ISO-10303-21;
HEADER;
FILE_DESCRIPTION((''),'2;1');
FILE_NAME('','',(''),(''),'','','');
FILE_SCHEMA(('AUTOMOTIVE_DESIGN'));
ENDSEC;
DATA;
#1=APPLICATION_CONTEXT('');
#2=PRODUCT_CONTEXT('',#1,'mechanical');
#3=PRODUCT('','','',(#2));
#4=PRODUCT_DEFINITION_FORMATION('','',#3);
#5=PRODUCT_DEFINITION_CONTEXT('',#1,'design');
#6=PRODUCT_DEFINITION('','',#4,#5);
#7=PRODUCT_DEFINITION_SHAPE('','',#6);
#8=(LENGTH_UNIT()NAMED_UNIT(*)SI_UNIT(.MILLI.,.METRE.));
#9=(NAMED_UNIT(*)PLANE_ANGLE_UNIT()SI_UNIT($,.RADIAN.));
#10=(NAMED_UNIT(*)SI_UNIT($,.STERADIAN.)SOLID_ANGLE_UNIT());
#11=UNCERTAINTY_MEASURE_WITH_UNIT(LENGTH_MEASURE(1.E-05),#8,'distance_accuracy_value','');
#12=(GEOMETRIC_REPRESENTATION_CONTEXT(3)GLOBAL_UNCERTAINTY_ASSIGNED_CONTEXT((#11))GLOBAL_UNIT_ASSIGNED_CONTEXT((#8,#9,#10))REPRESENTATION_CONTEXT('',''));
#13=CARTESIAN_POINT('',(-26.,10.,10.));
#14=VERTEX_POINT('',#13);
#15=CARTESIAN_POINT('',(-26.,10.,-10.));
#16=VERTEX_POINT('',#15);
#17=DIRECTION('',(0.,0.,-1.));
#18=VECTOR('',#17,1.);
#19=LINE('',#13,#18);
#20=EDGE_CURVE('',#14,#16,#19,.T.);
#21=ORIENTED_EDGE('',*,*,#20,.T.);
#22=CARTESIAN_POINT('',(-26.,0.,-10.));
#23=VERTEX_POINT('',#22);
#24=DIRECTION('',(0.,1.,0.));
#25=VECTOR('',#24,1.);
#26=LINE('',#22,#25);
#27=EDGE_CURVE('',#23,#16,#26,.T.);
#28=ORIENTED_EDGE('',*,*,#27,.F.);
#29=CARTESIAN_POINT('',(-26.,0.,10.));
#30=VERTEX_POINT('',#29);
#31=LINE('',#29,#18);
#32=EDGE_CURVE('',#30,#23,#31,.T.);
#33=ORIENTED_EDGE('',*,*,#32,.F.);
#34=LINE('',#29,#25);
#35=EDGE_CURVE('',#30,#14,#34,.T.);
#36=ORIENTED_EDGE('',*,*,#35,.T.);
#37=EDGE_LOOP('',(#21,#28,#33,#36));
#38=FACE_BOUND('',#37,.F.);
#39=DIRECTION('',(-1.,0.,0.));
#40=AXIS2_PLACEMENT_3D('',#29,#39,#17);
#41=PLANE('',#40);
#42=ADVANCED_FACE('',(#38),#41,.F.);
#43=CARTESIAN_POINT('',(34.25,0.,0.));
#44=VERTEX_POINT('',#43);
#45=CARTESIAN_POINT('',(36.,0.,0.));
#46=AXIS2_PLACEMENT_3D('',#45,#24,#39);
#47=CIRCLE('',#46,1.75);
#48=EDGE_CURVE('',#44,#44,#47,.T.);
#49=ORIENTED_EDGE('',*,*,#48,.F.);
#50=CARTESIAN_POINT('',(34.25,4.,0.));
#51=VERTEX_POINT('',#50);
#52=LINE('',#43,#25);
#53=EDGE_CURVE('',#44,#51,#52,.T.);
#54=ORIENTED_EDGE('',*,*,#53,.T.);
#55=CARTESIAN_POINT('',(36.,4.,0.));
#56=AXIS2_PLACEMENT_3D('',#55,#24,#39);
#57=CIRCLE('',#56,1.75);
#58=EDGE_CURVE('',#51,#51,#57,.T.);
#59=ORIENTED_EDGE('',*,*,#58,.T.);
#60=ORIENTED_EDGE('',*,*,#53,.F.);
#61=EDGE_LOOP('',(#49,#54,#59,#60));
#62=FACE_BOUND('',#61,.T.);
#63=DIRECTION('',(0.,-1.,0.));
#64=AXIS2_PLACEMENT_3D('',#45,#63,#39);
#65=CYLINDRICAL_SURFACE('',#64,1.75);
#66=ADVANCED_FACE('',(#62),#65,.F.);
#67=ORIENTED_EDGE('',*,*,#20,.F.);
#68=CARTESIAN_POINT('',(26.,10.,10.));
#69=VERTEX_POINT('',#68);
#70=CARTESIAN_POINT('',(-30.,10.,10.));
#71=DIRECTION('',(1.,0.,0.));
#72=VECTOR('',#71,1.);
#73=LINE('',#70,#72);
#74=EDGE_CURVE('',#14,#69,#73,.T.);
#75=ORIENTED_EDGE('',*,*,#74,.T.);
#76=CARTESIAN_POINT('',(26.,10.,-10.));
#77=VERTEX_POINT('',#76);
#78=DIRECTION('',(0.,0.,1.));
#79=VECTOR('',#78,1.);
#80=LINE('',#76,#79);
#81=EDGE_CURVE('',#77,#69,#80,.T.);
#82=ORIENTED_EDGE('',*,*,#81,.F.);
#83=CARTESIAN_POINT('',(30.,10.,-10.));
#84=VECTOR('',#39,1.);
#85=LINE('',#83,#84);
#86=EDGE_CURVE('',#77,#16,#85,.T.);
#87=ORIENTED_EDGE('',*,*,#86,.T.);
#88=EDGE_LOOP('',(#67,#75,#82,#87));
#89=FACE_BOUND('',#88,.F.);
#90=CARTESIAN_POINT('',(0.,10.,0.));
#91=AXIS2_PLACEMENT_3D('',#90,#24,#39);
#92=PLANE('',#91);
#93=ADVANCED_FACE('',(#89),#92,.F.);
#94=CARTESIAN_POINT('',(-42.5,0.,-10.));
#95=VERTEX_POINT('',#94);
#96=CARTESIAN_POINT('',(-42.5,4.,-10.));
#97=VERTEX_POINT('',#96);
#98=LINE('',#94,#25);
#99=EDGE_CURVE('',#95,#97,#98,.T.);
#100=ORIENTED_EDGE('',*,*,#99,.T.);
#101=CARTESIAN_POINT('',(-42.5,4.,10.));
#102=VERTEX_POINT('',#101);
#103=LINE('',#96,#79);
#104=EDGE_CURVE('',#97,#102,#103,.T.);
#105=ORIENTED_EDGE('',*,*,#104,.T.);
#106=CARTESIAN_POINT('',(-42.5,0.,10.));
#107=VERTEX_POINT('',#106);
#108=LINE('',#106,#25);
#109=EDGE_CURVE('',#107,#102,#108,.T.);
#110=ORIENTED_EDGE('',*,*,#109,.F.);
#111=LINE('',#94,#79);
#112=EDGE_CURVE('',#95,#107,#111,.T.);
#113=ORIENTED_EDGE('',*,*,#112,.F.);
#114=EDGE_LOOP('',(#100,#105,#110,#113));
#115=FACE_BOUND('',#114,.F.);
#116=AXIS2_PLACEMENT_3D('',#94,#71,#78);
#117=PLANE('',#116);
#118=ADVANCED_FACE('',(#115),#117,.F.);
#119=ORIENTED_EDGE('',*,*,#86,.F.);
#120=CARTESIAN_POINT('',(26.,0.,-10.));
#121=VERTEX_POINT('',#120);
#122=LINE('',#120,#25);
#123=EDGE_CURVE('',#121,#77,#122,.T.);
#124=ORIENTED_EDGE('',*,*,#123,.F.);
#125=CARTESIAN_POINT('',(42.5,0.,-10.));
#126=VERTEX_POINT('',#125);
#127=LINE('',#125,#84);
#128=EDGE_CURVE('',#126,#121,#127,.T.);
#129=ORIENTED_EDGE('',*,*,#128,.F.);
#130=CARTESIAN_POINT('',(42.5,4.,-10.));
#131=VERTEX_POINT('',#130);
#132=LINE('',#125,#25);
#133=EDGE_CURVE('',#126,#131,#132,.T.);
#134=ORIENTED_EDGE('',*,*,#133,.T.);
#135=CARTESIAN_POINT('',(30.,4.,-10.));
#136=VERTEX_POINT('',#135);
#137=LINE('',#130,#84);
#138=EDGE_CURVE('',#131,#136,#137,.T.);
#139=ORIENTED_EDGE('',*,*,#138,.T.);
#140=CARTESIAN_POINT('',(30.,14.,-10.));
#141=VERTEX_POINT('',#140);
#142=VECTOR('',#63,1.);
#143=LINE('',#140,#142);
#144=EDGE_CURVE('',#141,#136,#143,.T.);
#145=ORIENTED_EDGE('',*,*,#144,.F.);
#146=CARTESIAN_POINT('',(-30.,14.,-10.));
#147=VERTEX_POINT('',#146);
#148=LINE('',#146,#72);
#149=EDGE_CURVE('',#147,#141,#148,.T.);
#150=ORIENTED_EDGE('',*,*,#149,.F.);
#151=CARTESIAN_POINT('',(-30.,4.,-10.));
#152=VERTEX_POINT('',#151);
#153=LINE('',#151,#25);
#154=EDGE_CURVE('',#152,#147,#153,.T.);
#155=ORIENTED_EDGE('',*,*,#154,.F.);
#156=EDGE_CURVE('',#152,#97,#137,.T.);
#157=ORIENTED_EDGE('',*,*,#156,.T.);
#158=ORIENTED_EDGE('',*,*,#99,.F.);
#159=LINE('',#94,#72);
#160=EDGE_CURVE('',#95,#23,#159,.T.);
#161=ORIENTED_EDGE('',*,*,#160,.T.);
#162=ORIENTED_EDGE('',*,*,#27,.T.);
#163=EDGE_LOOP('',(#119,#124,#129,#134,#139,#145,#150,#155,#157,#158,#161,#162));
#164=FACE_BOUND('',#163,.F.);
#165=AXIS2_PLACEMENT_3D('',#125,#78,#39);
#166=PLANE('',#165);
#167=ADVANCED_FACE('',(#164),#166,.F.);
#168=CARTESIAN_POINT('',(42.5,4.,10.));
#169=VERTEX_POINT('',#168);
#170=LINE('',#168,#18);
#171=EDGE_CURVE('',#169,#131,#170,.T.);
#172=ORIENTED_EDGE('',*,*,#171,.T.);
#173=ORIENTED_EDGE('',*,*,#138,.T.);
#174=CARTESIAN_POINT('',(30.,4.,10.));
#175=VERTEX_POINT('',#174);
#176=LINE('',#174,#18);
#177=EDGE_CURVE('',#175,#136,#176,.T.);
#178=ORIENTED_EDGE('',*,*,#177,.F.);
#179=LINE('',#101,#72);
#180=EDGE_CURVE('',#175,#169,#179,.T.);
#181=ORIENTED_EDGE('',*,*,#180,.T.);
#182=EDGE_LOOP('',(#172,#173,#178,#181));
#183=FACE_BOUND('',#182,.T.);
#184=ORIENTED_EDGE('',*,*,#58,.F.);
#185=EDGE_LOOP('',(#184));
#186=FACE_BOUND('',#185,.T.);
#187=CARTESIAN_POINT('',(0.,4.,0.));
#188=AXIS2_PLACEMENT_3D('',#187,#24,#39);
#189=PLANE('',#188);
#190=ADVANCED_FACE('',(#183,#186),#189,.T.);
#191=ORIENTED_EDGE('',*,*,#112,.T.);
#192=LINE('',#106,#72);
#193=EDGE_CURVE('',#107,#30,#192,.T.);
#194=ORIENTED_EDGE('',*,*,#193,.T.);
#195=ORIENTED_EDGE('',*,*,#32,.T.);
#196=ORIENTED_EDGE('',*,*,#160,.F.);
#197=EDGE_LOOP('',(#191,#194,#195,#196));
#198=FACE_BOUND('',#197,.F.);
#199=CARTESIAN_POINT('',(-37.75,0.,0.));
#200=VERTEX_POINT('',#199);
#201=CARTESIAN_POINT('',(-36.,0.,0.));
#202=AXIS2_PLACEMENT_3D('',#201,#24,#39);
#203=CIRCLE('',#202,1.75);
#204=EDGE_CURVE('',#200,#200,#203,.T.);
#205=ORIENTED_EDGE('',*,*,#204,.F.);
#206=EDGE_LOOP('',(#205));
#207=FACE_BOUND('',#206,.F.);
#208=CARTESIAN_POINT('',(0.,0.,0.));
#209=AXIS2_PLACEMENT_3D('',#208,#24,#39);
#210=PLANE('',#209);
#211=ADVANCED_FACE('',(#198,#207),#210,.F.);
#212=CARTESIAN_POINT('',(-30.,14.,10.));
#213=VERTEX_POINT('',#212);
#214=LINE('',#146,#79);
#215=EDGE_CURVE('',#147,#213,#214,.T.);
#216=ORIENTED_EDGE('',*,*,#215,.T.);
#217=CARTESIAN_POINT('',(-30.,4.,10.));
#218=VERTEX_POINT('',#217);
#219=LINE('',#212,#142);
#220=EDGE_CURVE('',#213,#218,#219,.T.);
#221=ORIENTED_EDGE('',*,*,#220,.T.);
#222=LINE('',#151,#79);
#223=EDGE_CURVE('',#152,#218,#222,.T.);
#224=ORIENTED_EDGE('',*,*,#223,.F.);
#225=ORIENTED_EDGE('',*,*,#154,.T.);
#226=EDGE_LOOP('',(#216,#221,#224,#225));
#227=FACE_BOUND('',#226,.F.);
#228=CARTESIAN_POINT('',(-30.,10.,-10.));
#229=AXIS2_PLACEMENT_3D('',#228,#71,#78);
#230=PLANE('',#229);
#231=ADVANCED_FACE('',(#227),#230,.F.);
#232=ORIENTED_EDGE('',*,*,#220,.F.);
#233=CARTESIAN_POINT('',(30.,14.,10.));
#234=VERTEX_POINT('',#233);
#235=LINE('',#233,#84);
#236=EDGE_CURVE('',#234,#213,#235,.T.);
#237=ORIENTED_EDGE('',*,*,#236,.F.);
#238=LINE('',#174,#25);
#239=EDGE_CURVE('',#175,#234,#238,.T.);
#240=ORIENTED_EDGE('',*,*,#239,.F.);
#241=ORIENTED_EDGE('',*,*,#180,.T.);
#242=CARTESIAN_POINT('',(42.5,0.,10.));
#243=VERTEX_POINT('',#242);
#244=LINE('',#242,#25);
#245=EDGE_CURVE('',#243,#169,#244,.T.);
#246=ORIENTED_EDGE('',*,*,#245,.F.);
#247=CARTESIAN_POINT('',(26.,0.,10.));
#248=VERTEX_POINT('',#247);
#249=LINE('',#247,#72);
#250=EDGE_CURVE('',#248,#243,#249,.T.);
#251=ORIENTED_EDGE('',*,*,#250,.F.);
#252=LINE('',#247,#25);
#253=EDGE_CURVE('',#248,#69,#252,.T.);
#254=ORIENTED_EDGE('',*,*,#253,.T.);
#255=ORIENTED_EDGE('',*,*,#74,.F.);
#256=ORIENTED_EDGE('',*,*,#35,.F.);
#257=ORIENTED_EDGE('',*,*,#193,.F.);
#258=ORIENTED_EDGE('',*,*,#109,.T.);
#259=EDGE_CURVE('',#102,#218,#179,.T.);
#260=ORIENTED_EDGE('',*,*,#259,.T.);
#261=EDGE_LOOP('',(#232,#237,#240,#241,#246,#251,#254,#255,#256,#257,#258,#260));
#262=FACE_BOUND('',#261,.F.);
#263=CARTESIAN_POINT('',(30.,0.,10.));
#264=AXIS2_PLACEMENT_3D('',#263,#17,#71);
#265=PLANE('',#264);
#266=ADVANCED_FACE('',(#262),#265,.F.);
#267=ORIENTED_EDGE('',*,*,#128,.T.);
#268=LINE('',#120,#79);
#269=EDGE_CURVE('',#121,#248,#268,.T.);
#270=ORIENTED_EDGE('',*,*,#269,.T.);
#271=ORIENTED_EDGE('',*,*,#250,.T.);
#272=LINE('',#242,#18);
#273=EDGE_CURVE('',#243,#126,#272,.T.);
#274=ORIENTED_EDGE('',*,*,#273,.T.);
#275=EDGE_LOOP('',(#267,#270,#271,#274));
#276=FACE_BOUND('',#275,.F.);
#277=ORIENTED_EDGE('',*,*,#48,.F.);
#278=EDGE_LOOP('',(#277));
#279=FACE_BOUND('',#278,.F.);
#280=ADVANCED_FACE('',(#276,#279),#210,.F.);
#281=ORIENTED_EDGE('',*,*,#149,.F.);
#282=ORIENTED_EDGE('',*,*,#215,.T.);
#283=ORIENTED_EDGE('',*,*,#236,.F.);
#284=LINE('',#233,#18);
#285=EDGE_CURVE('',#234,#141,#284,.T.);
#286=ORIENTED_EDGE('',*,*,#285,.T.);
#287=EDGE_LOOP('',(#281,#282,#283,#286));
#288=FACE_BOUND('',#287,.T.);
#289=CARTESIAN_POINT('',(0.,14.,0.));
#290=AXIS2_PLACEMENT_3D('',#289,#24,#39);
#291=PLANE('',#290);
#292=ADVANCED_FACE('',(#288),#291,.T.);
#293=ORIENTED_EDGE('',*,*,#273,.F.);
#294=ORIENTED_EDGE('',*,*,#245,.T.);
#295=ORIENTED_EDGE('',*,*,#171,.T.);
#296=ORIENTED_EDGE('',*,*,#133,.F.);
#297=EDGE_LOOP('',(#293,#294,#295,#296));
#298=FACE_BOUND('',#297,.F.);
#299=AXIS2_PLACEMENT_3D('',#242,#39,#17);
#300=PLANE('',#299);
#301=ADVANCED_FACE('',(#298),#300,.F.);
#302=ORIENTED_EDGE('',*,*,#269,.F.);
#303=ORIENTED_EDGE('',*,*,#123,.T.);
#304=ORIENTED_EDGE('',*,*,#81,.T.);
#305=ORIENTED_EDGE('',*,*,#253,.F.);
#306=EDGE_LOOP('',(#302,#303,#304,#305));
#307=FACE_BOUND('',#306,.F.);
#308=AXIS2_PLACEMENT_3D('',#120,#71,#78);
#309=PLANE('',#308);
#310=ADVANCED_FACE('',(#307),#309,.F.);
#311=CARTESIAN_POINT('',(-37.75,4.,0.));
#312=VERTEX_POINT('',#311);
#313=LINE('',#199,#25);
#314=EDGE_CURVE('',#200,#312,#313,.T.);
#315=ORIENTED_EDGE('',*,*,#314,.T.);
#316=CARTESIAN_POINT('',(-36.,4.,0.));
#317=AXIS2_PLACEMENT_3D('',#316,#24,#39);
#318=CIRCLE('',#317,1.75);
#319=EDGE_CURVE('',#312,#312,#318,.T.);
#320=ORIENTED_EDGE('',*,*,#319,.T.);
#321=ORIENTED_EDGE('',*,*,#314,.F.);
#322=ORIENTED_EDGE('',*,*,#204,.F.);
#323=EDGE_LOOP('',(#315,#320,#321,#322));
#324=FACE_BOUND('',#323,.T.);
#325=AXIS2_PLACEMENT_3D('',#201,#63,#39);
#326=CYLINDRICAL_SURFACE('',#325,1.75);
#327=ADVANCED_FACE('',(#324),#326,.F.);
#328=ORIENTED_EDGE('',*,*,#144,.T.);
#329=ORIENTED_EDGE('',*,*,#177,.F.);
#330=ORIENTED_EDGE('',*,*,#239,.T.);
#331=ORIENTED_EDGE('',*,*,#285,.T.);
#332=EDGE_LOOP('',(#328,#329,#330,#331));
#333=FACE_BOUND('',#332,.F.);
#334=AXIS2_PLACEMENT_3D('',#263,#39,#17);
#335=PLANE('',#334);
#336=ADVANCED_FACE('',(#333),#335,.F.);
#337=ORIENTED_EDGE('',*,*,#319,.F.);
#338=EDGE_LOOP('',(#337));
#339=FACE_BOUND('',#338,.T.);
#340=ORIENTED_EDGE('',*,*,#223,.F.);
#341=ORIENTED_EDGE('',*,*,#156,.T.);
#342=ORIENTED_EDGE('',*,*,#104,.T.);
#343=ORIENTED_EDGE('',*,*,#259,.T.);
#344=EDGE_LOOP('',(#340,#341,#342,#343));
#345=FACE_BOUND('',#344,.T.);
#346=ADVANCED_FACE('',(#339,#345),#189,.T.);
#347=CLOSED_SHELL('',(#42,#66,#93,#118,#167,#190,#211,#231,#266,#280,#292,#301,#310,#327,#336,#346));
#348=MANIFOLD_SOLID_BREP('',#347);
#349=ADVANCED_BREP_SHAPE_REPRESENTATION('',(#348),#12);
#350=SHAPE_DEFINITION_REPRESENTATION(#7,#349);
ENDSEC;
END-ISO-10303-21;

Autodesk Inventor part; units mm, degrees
ref_plane "YZ Plane" through (0, 0, 0) normal (1, 0, 0) x (0, 1, 0)
ref_plane "XZ Plane" through (0, 0, 0) normal (0, 1, 0) x (-1, 0, 0)
ref_plane "XY Plane" through (0, 0, 0) normal (0, 0, 1) x (1, 0, 0)
sketch "Sketch1" plane through (0, 0, 0) normal (0, 1, 0) x (-1, 0, 0)
  line L0 (-42.5, -10) -> (42.5, -10)
  line L1 (42.5, -10) -> (42.5, 10)
  line L2 (42.5, 10) -> (-42.5, 10)
  line L3 (-42.5, 10) -> (-42.5, -10)
  line L4 (-42.5, -10) -> (42.5, 10) construction
  line L5 (42.5, -10) -> (-42.5, 10) construction
  line L6 (-30, -10) -> (30, -10)
  line L7 (30, -10) -> (30, 10)
  line L8 (30, 10) -> (-30, 10)
  line L9 (-30, 10) -> (-30, -10)
  line L10 (-30, -10) -> (30, 10) construction
  line L11 (30, -10) -> (-30, 10) construction
  circle A0 centre (36, 0) radius 1.75
  circle A1 centre (-36, 0) radius 1.75
  line L12 (0, 10) -> (0, -10) construction
  line L13 (30, 10) -> (26, 10)
  line L14 (26, 10) -> (26, -10)
  line L15 (26, -10) -> (30, -10)
  line L16 (30, -10) -> (30, 10)
  line L17 (-30, -10) -> (-26, -10)
  line L18 (-26, -10) -> (-26, 10)
  line L19 (-26, 10) -> (-30, 10)
  line L20 (-30, 10) -> (-30, -10)
  point P0 (0, 0)
  point P1 (0, 0)
  dimension "d0" = 72
  dimension "d1" = 60
  dimension "d2" = 85
  dimension "d3" = 3.5
  dimension "d4" = 20
  dimension "d7" = 4
extrude "Extrusion1" add sketch "Sketch1" along normal blind 4 contours L3 L2 L9 L0 | L7 L2 L1 L0
extrude "Extrusion2" add sketch "Sketch1" along normal blind 10 contours L9 L2 L18 L0 | L14 L2 L7 L0
extrude "Extrusion3" add sketch "Sketch1" along normal blind 4 from surface at 10 contours L9 L2 L18 L0 | L18 L2 L14 L0 | L14 L2 L7 L0
properties part number "cable_protector"
